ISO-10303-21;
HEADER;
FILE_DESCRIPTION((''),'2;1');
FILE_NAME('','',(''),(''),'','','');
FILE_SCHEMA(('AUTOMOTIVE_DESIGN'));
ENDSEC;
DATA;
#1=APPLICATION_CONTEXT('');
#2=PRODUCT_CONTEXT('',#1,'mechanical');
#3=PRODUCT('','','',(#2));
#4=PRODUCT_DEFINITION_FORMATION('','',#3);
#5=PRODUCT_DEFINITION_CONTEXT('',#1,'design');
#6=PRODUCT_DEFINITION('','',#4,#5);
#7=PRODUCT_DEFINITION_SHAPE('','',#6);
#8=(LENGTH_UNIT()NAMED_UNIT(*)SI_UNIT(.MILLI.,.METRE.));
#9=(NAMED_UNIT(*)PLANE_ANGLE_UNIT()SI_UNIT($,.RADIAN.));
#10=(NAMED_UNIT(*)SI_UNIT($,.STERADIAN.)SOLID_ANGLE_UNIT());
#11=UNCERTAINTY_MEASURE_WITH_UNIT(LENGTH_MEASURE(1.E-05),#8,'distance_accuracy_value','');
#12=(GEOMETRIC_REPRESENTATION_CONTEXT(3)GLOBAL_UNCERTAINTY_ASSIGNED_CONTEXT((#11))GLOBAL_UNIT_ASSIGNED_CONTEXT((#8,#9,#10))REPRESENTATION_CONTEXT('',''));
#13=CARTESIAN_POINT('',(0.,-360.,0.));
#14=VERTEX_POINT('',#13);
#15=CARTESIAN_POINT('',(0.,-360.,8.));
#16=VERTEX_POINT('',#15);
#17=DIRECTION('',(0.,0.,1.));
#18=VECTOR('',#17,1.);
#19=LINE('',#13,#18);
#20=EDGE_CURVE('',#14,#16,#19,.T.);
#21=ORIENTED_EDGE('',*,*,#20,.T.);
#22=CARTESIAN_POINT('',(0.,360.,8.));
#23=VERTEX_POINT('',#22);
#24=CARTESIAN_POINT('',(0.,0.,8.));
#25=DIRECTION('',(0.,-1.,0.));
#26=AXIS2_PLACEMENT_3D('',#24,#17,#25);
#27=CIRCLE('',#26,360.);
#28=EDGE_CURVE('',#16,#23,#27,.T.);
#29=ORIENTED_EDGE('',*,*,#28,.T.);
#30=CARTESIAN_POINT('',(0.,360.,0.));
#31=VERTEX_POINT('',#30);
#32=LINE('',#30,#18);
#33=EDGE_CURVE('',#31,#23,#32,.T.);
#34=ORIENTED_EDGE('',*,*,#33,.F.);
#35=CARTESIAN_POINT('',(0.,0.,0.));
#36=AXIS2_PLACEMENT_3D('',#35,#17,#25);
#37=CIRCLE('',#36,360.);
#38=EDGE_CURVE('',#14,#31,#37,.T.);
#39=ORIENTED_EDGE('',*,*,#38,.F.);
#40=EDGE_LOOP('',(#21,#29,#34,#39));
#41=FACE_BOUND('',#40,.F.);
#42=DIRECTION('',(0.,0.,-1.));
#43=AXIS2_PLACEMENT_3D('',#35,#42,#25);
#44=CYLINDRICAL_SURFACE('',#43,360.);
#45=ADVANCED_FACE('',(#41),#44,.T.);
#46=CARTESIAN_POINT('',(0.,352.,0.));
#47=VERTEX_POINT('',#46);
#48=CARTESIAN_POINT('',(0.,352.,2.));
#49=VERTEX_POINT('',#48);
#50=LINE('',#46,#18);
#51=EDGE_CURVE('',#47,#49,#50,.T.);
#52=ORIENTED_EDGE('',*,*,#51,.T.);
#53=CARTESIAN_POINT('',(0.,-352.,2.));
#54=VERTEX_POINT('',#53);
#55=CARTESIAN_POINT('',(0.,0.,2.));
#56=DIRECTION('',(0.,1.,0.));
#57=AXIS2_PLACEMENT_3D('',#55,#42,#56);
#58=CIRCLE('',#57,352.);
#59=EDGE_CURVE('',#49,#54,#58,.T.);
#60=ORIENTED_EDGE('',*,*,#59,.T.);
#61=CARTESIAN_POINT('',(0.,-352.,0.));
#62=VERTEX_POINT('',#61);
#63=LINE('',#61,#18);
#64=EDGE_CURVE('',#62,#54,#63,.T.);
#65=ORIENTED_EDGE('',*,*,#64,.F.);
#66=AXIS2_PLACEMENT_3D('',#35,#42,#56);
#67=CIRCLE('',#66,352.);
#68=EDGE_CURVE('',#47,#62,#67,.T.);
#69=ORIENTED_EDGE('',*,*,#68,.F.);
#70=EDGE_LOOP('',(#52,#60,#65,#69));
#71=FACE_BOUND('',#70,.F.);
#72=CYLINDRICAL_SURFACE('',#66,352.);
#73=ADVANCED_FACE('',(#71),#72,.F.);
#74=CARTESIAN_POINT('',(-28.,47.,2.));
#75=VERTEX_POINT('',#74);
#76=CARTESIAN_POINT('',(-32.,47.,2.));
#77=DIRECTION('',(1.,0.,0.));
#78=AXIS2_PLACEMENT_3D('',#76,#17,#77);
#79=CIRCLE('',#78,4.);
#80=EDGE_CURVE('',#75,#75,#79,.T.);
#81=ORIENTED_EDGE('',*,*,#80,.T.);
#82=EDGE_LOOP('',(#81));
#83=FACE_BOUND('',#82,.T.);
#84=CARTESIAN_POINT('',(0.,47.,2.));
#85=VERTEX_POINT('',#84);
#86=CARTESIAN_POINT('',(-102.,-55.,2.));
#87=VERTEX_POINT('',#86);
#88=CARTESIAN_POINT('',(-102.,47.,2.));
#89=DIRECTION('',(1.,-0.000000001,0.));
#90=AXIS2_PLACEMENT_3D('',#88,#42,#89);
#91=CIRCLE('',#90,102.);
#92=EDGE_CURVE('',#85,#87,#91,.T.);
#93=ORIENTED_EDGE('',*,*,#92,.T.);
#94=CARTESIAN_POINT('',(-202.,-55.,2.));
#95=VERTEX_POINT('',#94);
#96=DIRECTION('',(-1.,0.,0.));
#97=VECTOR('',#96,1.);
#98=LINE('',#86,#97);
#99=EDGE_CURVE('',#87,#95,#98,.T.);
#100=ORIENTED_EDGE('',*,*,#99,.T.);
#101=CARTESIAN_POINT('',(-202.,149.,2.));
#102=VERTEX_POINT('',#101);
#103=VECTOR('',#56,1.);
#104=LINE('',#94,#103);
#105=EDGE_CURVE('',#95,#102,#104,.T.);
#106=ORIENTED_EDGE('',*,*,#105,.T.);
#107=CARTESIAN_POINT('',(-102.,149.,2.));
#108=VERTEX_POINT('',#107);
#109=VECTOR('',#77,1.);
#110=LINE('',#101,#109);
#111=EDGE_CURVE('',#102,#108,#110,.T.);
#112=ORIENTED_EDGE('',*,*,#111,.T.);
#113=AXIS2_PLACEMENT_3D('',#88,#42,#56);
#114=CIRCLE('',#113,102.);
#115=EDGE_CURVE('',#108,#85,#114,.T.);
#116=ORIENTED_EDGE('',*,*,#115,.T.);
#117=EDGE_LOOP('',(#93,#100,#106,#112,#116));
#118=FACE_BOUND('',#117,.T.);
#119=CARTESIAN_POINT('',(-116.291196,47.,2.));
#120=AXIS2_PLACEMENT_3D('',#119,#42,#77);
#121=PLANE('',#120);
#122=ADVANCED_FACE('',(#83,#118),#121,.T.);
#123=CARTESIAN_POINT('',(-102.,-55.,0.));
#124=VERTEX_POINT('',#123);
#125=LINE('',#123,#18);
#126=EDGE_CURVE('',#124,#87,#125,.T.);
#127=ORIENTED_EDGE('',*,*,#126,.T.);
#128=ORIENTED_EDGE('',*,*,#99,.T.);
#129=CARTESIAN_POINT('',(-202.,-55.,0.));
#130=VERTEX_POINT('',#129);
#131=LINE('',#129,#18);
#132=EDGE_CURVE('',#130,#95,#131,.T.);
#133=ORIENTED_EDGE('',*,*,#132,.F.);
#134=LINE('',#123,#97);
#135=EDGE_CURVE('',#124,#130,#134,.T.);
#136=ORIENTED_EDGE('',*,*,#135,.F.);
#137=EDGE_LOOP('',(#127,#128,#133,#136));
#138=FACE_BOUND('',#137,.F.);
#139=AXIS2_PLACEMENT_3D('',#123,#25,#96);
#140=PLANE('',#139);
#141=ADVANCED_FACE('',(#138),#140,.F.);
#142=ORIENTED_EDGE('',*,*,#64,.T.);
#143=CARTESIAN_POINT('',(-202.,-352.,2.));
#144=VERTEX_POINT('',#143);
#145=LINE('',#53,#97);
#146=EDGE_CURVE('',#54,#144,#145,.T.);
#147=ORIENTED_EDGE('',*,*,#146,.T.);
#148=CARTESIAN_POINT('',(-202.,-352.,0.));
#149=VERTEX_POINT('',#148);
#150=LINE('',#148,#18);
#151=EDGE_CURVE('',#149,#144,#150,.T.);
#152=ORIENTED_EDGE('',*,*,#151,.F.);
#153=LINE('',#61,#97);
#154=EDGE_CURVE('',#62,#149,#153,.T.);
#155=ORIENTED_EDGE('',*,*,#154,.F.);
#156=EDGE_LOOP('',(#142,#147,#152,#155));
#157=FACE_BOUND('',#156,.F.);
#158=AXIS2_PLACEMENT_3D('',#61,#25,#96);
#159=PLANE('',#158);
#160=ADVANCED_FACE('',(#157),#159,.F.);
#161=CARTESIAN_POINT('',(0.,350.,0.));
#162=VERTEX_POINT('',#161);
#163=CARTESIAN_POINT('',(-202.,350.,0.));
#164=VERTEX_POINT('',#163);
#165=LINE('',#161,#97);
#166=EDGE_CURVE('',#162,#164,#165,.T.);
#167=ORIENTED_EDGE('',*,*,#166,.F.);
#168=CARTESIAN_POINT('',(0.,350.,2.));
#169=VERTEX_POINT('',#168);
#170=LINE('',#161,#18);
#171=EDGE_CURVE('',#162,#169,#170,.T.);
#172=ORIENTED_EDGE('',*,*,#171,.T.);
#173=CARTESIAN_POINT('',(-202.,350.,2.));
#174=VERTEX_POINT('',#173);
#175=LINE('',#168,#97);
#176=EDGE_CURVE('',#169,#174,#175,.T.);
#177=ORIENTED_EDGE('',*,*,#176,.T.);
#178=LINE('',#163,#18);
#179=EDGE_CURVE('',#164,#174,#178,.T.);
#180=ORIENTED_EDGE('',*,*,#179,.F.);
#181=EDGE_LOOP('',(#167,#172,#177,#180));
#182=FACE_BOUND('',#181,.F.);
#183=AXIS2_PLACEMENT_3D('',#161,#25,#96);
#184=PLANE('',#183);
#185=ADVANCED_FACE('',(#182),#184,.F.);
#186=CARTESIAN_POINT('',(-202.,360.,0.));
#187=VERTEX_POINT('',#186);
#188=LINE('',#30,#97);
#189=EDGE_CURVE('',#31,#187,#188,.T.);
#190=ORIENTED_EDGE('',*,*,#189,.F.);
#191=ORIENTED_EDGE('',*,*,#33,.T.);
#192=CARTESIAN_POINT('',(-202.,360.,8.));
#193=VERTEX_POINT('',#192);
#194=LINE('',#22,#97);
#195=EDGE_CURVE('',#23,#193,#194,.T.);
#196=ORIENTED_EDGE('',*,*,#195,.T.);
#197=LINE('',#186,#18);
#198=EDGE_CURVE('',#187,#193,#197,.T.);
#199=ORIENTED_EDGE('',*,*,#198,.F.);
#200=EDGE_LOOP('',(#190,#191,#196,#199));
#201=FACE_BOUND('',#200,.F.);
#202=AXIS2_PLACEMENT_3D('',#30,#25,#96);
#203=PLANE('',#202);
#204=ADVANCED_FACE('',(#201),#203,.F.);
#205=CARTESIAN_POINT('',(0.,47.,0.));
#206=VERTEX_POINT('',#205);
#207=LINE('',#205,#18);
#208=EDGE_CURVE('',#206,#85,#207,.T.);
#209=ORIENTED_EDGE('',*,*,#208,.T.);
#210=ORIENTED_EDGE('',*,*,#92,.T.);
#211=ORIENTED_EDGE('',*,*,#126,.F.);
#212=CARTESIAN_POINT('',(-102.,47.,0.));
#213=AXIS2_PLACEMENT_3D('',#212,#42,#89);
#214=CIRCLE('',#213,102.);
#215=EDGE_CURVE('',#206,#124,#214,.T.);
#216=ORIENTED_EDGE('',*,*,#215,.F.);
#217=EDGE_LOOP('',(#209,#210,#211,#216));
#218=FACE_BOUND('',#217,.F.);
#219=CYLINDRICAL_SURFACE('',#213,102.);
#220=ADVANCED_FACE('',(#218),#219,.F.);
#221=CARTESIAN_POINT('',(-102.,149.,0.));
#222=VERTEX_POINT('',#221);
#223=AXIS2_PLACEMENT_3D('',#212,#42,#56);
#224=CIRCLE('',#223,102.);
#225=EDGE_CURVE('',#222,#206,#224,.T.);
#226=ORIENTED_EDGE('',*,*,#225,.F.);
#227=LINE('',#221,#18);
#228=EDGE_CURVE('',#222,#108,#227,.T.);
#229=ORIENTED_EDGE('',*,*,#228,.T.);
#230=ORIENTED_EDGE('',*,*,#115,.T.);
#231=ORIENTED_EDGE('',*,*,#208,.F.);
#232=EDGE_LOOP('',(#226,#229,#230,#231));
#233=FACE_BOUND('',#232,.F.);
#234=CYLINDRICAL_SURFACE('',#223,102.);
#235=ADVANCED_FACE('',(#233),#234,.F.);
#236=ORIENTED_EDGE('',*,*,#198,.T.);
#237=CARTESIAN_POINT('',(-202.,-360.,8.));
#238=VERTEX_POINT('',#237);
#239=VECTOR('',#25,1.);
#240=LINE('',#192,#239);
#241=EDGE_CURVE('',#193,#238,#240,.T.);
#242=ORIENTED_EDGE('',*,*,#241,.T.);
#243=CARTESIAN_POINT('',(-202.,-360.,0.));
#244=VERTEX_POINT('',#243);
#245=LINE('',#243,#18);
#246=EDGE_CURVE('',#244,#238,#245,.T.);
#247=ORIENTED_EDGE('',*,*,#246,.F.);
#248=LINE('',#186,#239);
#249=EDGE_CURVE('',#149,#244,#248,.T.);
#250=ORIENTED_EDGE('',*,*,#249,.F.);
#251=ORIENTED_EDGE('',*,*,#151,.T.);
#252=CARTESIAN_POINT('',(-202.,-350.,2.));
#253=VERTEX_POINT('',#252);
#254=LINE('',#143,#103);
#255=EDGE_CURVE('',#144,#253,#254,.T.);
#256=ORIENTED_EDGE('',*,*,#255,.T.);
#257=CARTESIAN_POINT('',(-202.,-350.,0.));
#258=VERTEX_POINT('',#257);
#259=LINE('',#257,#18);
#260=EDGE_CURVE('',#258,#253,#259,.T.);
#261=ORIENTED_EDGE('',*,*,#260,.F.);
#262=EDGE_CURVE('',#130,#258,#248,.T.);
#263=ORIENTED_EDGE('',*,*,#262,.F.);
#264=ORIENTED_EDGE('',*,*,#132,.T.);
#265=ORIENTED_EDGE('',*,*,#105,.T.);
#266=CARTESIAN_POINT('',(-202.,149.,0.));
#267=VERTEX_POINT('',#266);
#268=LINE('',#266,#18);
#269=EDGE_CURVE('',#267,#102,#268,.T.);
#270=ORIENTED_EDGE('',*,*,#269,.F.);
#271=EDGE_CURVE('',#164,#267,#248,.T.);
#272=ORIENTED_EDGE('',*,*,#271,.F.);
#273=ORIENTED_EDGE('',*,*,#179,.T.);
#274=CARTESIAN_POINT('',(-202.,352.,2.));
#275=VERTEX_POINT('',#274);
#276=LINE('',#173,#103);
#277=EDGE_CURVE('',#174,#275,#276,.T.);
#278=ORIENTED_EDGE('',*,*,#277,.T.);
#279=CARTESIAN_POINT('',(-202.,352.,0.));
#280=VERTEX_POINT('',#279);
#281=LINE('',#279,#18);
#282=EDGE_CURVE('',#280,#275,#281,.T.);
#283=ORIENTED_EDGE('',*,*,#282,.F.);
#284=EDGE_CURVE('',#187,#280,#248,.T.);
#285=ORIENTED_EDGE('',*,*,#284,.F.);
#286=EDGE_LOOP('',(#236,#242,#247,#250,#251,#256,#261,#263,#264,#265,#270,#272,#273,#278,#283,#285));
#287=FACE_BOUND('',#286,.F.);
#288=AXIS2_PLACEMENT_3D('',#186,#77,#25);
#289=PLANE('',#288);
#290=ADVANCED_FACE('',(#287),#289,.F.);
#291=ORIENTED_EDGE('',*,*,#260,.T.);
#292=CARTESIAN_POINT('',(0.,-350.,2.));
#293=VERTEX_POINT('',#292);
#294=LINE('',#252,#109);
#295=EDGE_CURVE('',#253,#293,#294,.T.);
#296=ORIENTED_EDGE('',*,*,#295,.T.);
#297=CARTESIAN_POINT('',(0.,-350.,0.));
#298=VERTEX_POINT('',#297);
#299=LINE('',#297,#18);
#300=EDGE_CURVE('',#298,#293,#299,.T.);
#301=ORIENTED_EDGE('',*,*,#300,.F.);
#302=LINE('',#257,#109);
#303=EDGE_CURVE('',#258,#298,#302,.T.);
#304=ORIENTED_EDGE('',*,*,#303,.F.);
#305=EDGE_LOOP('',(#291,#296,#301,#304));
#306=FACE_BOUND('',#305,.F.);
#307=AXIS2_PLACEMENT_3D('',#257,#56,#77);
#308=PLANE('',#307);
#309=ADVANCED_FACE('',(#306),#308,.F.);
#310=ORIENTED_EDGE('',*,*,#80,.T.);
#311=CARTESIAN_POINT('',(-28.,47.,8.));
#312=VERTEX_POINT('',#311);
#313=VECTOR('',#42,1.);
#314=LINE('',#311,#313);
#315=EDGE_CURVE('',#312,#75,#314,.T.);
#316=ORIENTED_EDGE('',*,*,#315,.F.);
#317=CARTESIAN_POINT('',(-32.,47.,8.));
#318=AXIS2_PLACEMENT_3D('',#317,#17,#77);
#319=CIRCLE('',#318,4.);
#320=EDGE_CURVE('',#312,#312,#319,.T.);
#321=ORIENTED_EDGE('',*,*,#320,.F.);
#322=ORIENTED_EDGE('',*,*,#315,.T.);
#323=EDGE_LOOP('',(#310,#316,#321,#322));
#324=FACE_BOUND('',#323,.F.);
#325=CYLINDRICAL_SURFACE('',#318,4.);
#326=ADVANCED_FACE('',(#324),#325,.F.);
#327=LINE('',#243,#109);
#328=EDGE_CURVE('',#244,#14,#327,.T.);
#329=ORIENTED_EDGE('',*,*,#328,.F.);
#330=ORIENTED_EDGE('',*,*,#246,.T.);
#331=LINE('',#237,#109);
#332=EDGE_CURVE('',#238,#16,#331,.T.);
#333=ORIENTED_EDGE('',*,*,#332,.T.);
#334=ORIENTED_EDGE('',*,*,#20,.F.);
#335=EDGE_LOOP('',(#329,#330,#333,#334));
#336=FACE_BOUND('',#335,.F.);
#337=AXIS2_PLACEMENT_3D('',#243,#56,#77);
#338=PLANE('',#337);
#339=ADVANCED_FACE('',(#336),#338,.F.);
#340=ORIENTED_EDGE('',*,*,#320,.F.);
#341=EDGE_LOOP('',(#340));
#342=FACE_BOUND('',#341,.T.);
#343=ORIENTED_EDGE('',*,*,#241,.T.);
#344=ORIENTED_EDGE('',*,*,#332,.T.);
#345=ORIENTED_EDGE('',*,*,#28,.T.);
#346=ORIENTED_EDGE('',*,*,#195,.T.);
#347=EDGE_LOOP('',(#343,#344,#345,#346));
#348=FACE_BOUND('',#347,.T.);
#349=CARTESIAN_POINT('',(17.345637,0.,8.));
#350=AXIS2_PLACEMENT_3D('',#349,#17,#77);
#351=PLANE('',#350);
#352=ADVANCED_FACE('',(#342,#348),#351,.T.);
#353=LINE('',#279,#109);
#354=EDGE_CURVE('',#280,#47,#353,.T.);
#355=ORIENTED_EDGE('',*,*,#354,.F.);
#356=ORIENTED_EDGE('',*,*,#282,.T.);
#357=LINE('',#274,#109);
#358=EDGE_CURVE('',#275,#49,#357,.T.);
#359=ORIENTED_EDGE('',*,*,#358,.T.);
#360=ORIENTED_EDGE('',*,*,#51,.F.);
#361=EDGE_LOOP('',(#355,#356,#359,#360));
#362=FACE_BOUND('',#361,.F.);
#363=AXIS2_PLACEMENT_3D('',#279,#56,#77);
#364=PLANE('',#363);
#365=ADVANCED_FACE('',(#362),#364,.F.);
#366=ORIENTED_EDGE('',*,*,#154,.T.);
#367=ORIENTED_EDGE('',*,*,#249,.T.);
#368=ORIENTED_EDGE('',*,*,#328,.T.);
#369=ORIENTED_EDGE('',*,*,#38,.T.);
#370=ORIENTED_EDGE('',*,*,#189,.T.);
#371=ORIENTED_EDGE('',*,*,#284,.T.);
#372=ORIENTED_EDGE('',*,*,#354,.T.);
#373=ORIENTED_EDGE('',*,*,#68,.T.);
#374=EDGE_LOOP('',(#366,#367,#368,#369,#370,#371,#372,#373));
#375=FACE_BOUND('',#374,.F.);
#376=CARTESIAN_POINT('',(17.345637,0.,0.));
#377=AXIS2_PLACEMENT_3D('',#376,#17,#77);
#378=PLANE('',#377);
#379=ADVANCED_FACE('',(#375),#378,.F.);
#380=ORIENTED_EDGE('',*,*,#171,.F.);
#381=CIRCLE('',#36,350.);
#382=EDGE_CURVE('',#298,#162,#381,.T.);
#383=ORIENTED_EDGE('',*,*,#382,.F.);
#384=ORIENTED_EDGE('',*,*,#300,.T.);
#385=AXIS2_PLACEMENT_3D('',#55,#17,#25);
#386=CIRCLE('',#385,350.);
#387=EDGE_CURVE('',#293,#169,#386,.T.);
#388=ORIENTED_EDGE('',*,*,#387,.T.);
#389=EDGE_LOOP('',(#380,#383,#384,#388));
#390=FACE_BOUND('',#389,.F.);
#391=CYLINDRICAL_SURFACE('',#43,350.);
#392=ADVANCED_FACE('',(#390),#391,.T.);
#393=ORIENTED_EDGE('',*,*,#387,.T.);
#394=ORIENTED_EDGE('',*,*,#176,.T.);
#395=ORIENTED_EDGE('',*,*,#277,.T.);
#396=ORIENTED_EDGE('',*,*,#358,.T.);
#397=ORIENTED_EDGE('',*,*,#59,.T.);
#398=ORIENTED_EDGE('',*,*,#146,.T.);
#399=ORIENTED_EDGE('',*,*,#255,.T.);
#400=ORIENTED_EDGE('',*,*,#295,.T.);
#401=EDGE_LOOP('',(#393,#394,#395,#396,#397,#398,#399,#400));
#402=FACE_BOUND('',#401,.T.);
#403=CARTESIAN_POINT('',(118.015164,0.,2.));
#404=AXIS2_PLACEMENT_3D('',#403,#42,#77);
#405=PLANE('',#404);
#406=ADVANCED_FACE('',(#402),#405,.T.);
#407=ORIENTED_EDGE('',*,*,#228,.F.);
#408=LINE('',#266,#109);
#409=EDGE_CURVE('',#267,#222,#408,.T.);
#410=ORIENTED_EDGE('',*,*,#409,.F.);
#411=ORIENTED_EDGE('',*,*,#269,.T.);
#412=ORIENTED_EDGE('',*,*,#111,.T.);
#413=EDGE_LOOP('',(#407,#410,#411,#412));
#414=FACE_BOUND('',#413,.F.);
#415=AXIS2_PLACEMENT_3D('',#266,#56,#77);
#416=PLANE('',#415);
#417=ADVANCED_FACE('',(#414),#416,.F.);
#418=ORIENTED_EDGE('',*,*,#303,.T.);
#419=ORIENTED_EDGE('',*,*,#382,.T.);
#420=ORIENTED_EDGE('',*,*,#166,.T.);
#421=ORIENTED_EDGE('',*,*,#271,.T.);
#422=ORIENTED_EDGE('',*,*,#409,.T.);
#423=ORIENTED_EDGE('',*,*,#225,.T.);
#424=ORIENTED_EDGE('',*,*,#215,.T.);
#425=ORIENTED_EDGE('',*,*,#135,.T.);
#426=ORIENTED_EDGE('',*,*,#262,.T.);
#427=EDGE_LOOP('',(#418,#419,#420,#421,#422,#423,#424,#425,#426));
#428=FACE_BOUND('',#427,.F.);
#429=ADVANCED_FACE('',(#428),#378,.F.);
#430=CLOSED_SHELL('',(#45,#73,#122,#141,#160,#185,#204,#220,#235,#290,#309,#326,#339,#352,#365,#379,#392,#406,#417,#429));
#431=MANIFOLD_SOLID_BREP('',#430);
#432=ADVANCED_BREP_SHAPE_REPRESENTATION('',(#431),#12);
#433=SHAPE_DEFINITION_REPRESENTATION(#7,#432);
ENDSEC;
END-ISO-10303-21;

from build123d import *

# Parameters (mm, degrees)
F1_DEPTH = 8
F3_DEPTH = 2
F4_R     = 4
F5_DEPTH = 8
F7_DEPTH = 2


with BuildPart() as f1:
    # F0 (on Top) → F1 (new body)
    with BuildSketch(Plane.XY):
        with BuildLine():
            Line((-102, -360), (0, -360))
            ThreePointArc((0, -360), (360, 0), (0, 360))
            Line((0, 360), (-102, 360))
            Line((-102, 360), (-202, 360))
            Line((-202, 360), (-202, -360))
            Line((-202, -360), (-102, -360))
        make_face()
    extrude(amount=F1_DEPTH)

    # F2 (on face) → F3 (cut)
    with BuildSketch(Plane(origin=(0, 0, 0), x_dir=(1, 0, 0), z_dir=(0, 0, -1))):
        with BuildLine():
            ThreePointArc((0, 350), (350, 0), (0, -350))
            Line((0, -350), (-202, -350))
            Line((-202, -350), (-202, -352))
            Line((-202, -352), (0, -352))
            ThreePointArc((0, -352), (352, 0), (0, 352))
            Line((0, 352), (-202, 352))
            Line((-202, 352), (-202, 350))
            Line((-202, 350), (0, 350))
        make_face()
    extrude(amount=-F3_DEPTH, mode=Mode.SUBTRACT)

    # F4 (on face) → F5 (cut, through all)
    with BuildSketch(Plane.XY.offset(8)):
        with Locations((-32, 47)):
            Circle(F4_R)
    extrude(amount=-F5_DEPTH, mode=Mode.SUBTRACT)

    # F6 (on face) → F7 (cut)
    with BuildSketch(Plane(origin=(0, 0, 0), x_dir=(1, 0, 0), z_dir=(0, 0, -1))):
        with BuildLine():
            Line((-202, -149), (-102, -149))
            ThreePointArc((-102, -149), (-29.875108278, -119.1248916401), (0, -46.9999998841))
            ThreePointArc((0, -46.9999998841), (-29.8751083599, 25.124891722), (-102, 55))
            Line((-102, 55), (-202, 55))
            Line((-202, 55), (-202, -149))
        make_face()
    extrude(amount=-F7_DEPTH, mode=Mode.SUBTRACT)


solid = f1.part
